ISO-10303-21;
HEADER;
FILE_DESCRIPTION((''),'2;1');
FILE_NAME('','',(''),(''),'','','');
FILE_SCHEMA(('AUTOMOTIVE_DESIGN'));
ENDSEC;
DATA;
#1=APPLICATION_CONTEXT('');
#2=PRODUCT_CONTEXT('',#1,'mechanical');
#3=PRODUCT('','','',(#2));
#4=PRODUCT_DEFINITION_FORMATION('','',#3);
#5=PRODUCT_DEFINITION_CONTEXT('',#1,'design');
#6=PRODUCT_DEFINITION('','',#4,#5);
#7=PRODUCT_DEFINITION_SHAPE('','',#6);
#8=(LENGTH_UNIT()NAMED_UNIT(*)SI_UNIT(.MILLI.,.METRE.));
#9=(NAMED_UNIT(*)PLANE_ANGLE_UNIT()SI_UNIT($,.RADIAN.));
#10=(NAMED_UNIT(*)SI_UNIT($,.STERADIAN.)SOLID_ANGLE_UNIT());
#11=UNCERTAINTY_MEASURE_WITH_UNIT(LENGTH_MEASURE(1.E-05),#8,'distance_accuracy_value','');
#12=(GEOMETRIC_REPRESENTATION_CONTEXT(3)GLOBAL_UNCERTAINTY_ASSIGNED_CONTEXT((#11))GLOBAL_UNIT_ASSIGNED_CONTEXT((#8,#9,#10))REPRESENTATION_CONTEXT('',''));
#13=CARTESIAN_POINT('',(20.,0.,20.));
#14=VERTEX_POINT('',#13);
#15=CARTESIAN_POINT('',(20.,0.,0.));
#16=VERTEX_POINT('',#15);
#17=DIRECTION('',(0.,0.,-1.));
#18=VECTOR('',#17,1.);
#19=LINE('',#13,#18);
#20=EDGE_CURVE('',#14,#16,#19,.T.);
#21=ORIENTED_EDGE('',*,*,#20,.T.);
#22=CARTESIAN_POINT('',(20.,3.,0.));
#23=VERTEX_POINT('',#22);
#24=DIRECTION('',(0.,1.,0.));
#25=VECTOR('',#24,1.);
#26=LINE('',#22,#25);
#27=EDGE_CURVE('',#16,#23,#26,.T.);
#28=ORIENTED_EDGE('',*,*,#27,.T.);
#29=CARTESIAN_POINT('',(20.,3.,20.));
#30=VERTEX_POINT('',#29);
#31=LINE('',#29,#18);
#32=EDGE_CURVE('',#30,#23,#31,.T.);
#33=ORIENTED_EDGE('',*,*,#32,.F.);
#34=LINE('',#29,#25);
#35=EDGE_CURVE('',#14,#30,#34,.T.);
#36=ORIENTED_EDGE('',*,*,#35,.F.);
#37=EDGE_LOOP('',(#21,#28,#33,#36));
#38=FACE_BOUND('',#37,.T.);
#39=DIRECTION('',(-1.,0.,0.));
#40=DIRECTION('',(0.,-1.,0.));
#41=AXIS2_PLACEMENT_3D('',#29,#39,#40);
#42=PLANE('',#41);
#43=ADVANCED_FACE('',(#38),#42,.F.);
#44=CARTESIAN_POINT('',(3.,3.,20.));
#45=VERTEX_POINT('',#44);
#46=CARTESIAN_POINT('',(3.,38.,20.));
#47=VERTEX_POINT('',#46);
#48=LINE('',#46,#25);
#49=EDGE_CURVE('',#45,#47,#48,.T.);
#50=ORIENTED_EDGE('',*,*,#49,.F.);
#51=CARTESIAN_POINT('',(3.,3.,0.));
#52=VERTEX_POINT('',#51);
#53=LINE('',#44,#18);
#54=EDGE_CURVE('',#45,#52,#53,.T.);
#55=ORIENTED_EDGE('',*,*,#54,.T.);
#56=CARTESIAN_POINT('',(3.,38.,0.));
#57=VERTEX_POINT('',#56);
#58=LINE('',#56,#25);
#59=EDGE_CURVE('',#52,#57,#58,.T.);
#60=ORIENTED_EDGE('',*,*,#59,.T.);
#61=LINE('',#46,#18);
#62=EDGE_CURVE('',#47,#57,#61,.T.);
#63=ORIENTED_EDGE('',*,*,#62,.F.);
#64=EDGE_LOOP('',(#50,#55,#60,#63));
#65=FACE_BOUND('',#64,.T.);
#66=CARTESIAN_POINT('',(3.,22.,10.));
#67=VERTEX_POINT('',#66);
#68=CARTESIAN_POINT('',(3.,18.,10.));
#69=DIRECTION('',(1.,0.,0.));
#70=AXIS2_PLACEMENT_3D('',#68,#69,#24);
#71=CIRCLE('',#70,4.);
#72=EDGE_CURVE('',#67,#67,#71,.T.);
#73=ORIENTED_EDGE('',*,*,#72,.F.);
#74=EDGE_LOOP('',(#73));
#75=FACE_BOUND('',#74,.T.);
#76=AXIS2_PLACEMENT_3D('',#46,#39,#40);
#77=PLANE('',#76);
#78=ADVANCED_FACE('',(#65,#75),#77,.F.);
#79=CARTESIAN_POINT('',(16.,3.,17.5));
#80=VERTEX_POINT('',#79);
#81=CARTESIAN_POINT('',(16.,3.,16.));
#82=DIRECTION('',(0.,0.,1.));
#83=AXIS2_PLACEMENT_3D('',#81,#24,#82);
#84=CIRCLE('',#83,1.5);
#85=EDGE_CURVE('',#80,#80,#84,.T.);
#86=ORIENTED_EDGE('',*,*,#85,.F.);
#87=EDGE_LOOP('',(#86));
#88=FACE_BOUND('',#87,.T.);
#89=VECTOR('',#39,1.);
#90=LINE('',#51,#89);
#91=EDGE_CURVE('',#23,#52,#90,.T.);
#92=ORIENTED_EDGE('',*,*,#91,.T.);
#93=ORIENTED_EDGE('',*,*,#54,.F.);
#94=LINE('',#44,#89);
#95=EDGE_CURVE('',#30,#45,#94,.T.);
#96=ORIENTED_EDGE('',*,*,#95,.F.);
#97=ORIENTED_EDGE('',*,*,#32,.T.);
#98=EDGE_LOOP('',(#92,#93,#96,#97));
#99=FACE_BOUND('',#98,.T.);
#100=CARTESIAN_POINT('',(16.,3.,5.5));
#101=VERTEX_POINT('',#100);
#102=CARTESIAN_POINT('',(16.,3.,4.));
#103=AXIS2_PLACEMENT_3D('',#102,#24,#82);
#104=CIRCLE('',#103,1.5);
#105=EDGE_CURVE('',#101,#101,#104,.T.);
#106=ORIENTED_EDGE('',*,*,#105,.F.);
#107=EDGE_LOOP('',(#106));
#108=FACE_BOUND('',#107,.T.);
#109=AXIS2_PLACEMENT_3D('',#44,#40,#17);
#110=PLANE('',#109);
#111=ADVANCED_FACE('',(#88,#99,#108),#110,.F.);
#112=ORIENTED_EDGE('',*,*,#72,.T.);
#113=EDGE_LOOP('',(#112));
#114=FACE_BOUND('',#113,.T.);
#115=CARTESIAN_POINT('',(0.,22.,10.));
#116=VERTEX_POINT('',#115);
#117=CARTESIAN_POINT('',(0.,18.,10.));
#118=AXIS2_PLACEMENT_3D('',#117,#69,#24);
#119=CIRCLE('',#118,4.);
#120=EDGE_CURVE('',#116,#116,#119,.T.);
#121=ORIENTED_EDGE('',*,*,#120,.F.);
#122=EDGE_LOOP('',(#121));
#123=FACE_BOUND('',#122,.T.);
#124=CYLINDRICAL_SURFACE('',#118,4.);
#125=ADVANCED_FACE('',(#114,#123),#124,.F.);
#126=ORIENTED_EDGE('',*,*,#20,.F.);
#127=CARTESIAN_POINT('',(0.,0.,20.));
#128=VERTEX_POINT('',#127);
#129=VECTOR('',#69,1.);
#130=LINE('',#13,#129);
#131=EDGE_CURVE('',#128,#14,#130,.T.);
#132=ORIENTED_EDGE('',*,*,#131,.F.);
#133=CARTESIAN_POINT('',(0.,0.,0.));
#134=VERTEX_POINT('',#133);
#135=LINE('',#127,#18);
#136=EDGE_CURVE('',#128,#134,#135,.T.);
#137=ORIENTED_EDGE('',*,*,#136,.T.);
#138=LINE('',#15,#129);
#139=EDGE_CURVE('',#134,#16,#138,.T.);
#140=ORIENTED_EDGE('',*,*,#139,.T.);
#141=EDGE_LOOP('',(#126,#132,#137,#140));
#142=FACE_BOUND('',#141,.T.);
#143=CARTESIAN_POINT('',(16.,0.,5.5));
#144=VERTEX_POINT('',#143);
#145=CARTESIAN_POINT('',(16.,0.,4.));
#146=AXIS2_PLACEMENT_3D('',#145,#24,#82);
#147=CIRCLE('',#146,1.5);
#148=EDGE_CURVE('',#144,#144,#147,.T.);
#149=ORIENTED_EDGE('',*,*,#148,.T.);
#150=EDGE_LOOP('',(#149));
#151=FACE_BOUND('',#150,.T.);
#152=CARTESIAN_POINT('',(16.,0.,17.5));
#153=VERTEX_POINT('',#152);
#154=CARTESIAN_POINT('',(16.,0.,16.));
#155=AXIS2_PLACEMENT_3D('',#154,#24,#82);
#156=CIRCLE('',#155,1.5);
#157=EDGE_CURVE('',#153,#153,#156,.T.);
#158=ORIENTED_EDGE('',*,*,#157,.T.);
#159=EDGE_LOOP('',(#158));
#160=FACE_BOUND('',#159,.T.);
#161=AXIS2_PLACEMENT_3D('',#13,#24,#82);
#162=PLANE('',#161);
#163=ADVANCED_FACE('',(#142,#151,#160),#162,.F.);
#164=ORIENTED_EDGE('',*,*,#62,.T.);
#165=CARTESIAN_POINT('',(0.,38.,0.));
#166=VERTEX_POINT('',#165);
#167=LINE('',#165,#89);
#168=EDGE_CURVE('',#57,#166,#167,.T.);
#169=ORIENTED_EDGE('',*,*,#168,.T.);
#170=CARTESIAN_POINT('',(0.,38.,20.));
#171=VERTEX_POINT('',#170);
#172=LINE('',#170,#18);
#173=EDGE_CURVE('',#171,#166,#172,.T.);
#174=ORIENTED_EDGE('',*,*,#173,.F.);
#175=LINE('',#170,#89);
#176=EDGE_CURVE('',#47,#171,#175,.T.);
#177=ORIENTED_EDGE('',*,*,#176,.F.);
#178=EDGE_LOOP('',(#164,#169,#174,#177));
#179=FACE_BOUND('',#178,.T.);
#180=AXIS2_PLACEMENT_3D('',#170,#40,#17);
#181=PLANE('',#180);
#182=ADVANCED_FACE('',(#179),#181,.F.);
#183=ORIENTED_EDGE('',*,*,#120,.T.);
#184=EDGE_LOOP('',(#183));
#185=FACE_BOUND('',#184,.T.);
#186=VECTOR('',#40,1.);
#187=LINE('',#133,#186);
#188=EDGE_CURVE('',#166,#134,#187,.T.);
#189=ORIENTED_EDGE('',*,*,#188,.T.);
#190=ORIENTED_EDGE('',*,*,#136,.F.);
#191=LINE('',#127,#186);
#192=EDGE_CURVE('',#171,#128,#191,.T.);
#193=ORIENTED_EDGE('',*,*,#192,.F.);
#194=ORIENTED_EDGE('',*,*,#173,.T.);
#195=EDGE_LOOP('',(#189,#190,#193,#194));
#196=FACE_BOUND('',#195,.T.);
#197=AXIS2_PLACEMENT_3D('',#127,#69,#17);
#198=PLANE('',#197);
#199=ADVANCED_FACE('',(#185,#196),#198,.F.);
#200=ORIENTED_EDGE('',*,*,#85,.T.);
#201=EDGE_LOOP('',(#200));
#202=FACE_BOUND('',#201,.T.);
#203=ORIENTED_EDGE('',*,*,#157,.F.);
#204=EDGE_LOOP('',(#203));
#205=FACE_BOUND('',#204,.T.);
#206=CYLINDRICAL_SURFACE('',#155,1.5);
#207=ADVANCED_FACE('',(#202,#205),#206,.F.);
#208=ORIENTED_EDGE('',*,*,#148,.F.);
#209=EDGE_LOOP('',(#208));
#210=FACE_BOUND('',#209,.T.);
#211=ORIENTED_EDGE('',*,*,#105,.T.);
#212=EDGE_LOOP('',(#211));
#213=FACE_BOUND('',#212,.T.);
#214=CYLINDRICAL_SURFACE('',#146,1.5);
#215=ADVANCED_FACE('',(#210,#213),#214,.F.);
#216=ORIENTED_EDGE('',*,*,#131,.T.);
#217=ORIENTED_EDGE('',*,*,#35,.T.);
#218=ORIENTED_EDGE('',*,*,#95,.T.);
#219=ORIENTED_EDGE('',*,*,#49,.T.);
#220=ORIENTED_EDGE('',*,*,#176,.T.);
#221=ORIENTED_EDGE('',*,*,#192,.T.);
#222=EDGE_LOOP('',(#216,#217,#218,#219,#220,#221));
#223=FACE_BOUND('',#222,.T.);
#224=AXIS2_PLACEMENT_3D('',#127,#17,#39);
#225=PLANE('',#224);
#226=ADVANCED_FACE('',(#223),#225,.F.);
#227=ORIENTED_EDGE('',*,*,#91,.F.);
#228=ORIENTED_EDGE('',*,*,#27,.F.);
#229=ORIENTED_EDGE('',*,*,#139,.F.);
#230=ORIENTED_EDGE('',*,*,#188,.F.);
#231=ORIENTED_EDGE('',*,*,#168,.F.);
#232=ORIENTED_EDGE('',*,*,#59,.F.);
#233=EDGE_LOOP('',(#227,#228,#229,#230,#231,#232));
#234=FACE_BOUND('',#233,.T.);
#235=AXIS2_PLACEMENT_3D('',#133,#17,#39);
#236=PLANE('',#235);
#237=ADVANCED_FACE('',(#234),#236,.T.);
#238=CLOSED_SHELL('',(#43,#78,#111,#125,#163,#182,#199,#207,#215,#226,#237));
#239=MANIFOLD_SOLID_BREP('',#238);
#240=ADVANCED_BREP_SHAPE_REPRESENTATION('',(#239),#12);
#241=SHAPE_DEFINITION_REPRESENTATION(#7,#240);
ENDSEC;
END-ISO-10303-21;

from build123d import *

# Parameters (mm, degrees)
EXTRUDE_1_DEPTH     = 20
SKETCH_2_R          = 1.5
CUT_EXTRUDE_1_DEPTH = 46
SKETCH_3_R          = 4
CUT_EXTRUDE_2_DEPTH = 47.184412955


with BuildPart() as part:
    # 草图1 → 凸台-拉伸1 (new body)
    with BuildSketch(Plane.XY):
        Polygon((0, 0), (0, 38), (3, 38), (3, 3), (20, 3), (20, 0), align=None)
    extrude(amount=EXTRUDE_1_DEPTH)

    # 草图2 → 切除-拉伸1 (cut, through all)
    with BuildSketch(Plane(origin=(0, 3, 0), x_dir=(1, 0, 0), z_dir=(0, 1, 0))):
        with Locations(Location((16, -16, 0), (0, 0, 270))):
            Circle(SKETCH_2_R)
        with Locations(Location((16, -4, 0), (0, 0, 270))):
            Circle(SKETCH_2_R)
    extrude(amount=-CUT_EXTRUDE_1_DEPTH, mode=Mode.SUBTRACT)

    # 草图3 → 切除-拉伸2 (cut, through all)
    with BuildSketch(Plane(origin=(3, 0, 0), x_dir=(0, 0, -1), z_dir=(1, 0, 0))):
        with Locations(Location((-10, 18, 0), (0, 0, 90))):
            Circle(SKETCH_3_R)
    extrude(amount=-CUT_EXTRUDE_2_DEPTH, mode=Mode.SUBTRACT)


solid = part.part
